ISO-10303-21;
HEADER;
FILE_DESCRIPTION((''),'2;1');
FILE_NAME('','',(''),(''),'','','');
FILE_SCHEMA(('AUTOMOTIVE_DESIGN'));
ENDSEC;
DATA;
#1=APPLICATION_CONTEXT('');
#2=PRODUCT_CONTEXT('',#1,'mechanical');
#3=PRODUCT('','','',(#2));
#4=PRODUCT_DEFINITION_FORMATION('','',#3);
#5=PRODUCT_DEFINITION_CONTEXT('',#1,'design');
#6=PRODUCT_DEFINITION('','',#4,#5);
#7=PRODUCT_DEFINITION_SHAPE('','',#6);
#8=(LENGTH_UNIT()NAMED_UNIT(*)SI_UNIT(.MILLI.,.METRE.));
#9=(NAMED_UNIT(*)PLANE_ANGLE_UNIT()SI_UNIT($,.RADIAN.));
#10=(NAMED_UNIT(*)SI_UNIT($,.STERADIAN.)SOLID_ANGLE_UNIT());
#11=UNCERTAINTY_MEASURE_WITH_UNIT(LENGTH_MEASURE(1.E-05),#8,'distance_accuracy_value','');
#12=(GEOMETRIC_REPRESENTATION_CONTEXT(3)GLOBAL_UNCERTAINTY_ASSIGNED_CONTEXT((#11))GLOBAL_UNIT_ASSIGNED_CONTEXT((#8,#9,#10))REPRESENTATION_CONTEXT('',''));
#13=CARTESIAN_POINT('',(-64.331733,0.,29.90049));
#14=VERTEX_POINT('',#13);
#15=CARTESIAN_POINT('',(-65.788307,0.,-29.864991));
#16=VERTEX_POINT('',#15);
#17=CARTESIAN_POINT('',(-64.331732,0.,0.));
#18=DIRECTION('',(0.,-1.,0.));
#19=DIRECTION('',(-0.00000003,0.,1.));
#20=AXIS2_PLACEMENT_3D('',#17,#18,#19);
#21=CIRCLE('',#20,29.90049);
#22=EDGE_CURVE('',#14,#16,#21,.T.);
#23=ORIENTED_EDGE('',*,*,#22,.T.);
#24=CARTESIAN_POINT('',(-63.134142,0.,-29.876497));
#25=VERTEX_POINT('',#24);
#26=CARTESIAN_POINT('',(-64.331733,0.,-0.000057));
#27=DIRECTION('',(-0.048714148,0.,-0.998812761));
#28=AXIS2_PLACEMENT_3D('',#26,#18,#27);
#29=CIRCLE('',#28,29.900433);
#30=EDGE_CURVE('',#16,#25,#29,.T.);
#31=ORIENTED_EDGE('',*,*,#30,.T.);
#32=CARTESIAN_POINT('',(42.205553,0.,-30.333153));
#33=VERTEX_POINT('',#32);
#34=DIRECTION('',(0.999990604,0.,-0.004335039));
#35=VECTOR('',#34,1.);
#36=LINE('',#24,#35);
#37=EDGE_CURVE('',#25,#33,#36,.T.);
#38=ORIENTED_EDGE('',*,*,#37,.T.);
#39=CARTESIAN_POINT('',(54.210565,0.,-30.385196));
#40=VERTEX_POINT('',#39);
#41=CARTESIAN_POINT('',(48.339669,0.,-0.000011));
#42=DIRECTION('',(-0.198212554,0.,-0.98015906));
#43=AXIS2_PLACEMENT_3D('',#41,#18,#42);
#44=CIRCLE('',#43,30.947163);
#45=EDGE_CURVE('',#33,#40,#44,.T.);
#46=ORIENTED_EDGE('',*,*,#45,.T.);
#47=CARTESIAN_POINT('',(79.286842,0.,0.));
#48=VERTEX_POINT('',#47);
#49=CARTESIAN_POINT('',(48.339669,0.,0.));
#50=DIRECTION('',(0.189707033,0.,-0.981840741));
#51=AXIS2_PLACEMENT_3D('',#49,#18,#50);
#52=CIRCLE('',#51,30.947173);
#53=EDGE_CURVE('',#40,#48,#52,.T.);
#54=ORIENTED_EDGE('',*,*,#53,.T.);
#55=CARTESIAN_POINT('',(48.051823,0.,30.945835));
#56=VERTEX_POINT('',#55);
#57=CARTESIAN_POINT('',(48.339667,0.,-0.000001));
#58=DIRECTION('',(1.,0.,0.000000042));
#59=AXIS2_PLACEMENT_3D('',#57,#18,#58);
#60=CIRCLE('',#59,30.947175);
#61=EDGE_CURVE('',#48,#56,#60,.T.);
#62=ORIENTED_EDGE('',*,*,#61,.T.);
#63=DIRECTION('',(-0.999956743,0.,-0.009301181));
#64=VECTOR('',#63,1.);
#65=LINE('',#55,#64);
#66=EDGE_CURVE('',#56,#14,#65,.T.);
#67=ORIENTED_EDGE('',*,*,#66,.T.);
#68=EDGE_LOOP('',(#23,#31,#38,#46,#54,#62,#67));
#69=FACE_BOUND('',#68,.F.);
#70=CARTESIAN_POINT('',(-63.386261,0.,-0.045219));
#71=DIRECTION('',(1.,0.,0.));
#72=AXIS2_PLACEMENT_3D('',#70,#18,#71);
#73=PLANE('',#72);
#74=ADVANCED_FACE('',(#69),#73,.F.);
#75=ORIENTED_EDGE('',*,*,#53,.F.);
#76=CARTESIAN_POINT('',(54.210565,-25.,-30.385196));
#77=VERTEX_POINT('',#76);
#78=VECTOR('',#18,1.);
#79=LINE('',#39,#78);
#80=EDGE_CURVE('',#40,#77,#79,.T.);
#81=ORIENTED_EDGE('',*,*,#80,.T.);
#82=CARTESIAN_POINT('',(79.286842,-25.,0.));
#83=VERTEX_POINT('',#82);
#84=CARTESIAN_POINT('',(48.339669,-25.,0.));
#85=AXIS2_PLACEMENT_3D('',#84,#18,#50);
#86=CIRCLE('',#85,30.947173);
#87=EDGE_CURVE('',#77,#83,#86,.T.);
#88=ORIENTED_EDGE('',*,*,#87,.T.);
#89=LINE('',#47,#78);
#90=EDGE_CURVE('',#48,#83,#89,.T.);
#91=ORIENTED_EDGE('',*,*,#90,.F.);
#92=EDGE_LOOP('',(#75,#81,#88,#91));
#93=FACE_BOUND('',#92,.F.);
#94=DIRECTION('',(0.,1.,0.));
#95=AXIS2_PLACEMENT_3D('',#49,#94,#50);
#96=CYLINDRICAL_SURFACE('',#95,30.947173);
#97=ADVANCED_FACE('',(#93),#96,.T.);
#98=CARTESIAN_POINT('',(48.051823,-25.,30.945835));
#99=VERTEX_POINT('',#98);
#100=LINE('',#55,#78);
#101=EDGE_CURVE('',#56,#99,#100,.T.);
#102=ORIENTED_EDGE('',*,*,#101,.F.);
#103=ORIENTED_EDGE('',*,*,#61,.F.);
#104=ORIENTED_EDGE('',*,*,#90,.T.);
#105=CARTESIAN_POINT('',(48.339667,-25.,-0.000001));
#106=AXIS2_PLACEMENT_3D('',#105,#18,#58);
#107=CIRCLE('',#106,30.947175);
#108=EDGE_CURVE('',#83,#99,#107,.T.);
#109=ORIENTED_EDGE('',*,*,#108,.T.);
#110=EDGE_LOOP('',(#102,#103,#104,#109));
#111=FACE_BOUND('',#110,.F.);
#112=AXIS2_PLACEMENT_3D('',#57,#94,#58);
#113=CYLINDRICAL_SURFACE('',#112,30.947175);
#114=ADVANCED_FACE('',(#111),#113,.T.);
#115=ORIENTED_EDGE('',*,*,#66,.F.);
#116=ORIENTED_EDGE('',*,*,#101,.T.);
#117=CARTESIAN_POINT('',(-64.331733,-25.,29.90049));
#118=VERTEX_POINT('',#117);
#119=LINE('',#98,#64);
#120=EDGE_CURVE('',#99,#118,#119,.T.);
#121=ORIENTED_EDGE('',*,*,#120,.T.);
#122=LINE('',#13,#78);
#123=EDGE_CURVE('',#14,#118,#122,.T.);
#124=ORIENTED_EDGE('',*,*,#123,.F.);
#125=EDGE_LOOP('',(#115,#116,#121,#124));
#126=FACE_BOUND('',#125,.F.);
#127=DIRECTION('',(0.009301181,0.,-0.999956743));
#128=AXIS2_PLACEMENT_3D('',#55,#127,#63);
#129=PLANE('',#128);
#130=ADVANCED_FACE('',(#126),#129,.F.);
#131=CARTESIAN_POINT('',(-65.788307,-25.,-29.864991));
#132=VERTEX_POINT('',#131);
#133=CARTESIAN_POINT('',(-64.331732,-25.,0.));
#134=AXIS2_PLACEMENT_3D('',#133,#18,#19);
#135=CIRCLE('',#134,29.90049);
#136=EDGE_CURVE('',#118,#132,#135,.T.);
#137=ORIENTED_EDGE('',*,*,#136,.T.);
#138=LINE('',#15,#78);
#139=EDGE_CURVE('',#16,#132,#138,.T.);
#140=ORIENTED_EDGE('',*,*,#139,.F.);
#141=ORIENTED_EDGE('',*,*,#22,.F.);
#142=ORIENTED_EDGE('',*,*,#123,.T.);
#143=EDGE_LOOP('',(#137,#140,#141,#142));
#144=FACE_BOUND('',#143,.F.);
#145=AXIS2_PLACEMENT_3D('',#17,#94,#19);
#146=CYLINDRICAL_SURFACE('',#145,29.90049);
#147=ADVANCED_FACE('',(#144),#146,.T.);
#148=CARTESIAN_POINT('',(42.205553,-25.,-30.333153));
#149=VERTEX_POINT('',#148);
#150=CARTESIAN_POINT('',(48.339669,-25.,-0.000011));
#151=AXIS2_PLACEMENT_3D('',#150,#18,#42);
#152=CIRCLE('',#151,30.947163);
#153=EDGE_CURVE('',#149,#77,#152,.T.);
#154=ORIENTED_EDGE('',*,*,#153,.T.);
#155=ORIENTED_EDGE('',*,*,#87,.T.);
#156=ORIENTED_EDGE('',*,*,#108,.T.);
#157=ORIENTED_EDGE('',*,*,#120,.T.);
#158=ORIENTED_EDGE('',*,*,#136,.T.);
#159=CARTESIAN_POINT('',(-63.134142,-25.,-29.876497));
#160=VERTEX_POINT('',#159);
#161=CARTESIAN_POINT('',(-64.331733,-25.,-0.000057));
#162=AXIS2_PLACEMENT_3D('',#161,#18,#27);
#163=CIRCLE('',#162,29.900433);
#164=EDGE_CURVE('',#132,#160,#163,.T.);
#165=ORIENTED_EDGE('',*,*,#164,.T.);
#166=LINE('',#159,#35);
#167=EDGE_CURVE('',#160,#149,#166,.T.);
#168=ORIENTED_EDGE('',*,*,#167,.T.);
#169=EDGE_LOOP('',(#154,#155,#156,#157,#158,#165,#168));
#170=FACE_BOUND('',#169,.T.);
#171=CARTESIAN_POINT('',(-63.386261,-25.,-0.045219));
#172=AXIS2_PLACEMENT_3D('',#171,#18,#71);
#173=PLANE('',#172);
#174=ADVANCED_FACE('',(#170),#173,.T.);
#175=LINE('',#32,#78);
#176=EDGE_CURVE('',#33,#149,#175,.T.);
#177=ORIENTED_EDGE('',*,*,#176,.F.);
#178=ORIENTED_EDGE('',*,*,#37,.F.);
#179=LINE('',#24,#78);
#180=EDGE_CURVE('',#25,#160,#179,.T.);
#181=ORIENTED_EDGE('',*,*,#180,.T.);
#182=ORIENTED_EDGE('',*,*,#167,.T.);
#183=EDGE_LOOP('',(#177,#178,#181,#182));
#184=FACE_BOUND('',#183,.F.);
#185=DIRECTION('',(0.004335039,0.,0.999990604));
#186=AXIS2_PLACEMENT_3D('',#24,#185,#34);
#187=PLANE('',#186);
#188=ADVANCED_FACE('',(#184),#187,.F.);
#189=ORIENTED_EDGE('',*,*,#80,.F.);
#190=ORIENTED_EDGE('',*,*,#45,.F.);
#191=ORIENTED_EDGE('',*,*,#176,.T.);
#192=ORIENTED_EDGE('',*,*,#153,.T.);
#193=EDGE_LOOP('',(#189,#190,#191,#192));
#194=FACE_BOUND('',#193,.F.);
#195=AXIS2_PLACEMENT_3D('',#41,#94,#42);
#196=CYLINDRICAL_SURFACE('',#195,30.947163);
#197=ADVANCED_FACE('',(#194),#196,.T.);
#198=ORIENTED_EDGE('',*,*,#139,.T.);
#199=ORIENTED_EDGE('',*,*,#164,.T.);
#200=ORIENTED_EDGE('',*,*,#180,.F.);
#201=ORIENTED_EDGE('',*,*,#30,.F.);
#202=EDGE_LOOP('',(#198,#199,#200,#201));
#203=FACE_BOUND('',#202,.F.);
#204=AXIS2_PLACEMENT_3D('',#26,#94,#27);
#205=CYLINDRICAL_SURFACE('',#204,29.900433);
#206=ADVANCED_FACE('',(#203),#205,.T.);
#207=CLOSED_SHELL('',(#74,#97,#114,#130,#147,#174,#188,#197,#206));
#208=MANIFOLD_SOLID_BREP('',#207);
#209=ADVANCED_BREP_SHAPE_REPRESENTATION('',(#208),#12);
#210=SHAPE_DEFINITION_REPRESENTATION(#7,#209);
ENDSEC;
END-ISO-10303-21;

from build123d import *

# Parameters (mm, degrees)
F1_DEPTH = 25


with BuildPart() as f1:
    # F0 (on Front) → F1 (new body)
    with BuildSketch(Plane.XZ):
        with BuildLine():
            ThreePointArc((-63.134142, -29.876497), (-42.769638, -20.7151), (-34.431243, 0))
            ThreePointArc((-34.431243, 0), (-43.188894, 21.142839), (-64.331733, 29.90049))
            ThreePointArc((-64.331733, 29.90049), (-94.223346, 0.728504), (-65.788307, -29.864991))
            Line((-65.788307, -29.864991), (-63.134142, -29.876497))
        make_face()
        with BuildLine():
            ThreePointArc((-64.331733, 29.90049), (-43.188894, 21.142839), (-34.431243, 0))
            ThreePointArc((-34.431243, 0), (-42.769638, -20.7151), (-63.134142, -29.876497))
            Line((-63.134142, -29.876497), (42.205553, -30.333153))
            ThreePointArc((42.205553, -30.333153), (17.532381, 2.939143), (48.051823, 30.945835))
            Line((48.051823, 30.945835), (-64.331733, 29.90049))
        make_face()
        with BuildLine():
            ThreePointArc((-65.788307, -29.864991), (-64.461353, -29.900209), (-63.134142, -29.876497))
            Line((-63.134142, -29.876497), (-65.788307, -29.864991))
        make_face()
        with BuildLine():
            ThreePointArc((79.286842, 0), (70.120618, 21.984489), (48.051823, 30.945835))
            ThreePointArc((48.051823, 30.945835), (17.532381, 2.939143), (42.205553, -30.333153))
            Line((42.205553, -30.333153), (54.210565, -30.385196))
            ThreePointArc((54.210565, -30.385196), (72.208217, -19.698222), (79.286842, 0))
        make_face()
        with BuildLine():
            Line((54.210565, -30.385196), (42.205553, -30.333153))
            ThreePointArc((42.205553, -30.333153), (48.205511, -30.946883), (54.210565, -30.385196))
        make_face()
    extrude(amount=F1_DEPTH)


solid = f1.part
